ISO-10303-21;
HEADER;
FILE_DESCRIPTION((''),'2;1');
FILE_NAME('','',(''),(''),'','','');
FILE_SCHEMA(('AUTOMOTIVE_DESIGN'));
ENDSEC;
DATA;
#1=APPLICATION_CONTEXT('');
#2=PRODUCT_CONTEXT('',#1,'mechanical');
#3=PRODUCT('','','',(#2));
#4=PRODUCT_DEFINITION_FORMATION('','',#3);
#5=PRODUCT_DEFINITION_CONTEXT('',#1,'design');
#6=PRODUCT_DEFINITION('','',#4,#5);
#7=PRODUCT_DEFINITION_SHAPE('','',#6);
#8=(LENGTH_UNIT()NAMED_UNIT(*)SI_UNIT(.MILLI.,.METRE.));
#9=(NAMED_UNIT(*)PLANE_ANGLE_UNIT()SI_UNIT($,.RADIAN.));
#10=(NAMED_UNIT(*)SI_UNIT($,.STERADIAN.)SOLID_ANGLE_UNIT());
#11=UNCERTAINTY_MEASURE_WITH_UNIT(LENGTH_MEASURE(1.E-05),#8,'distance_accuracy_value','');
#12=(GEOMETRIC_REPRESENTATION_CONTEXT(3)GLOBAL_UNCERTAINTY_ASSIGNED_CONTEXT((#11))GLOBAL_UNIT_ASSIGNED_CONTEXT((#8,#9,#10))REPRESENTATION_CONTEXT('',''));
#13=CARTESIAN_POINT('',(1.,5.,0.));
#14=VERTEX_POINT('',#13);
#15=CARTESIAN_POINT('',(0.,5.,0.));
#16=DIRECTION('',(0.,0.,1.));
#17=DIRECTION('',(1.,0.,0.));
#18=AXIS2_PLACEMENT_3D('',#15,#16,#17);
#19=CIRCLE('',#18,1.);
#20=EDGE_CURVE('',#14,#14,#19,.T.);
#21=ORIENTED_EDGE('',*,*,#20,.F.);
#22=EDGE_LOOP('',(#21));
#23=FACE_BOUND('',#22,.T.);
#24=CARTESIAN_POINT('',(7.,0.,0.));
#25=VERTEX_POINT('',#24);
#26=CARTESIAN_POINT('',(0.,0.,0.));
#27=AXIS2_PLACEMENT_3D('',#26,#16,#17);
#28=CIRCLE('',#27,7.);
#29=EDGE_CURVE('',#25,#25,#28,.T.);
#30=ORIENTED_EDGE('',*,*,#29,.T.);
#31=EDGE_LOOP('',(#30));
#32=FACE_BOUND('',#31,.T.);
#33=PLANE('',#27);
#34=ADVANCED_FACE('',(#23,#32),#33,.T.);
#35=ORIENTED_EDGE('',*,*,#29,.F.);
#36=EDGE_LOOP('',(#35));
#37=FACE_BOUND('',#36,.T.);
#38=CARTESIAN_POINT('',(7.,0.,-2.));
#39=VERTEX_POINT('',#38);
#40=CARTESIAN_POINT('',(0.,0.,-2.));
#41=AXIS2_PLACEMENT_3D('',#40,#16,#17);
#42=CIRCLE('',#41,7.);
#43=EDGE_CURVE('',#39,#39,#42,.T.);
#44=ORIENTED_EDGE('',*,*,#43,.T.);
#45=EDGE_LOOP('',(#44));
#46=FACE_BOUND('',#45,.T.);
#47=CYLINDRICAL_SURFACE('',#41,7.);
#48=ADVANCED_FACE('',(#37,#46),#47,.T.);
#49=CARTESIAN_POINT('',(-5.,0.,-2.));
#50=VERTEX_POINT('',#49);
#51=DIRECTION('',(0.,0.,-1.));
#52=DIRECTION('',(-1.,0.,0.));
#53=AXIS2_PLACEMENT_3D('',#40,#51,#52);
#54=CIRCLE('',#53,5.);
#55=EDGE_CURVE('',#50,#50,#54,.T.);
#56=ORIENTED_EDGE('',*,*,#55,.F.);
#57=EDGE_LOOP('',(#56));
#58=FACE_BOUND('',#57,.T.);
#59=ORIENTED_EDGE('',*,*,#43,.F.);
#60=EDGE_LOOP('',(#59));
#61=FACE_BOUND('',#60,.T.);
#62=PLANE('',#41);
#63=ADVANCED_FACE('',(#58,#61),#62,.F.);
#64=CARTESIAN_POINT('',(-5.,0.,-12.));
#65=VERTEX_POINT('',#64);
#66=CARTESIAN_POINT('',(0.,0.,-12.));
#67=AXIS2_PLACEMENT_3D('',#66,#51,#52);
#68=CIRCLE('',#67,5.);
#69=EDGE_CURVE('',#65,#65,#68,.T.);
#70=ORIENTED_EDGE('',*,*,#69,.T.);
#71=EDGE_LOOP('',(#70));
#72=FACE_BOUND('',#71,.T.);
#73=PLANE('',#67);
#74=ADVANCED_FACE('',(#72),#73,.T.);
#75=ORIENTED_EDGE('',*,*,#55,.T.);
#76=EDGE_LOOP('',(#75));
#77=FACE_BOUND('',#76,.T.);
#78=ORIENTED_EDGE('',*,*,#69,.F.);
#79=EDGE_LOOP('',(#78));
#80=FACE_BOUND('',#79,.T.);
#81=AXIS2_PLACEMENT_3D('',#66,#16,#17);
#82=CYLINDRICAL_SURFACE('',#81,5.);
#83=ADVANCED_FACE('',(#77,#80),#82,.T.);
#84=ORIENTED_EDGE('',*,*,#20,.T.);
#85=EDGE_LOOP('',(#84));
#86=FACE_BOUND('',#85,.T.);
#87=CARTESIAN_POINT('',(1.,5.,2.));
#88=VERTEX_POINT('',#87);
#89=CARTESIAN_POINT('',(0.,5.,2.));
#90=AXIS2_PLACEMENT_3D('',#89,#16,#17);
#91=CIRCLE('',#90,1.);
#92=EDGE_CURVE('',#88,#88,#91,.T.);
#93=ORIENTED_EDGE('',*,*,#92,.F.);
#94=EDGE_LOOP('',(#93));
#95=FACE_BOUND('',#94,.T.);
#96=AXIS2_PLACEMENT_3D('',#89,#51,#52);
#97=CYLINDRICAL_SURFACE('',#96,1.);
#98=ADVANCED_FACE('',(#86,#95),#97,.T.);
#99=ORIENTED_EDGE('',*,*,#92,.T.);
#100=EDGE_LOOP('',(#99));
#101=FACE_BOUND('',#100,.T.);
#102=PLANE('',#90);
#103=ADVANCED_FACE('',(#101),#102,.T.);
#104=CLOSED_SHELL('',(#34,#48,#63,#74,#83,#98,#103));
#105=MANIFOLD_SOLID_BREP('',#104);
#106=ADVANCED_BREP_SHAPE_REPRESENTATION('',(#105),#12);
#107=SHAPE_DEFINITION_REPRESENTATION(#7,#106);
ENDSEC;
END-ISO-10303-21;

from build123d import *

# Parameters (mm, degrees)
SKETCH1_R           = 7
BOSS_EXTRUDE1_DEPTH = 2
SKETCH2_R           = 1
BOSS_EXTRUDE2_DEPTH = 2
SKETCH3_R           = 5
BOSS_EXTRUDE3_DEPTH = 10


with BuildPart() as part:
    # Sketch1 → Boss-Extrude1 (new body)
    with BuildSketch(Plane.XY):
        Circle(SKETCH1_R)
    extrude(amount=-BOSS_EXTRUDE1_DEPTH)

    # Sketch2 → Boss-Extrude2 (add)
    with BuildSketch(Plane.XY):
        with Locations((0, 5)):
            Circle(SKETCH2_R)
    extrude(amount=BOSS_EXTRUDE2_DEPTH)

    # Sketch3 → Boss-Extrude3 (add)
    with BuildSketch(Plane(origin=(0, 0, -2), x_dir=(-1, 0, 0), z_dir=(0, 0, -1))):
        Circle(SKETCH3_R)
    extrude(amount=BOSS_EXTRUDE3_DEPTH)


solid = part.part
